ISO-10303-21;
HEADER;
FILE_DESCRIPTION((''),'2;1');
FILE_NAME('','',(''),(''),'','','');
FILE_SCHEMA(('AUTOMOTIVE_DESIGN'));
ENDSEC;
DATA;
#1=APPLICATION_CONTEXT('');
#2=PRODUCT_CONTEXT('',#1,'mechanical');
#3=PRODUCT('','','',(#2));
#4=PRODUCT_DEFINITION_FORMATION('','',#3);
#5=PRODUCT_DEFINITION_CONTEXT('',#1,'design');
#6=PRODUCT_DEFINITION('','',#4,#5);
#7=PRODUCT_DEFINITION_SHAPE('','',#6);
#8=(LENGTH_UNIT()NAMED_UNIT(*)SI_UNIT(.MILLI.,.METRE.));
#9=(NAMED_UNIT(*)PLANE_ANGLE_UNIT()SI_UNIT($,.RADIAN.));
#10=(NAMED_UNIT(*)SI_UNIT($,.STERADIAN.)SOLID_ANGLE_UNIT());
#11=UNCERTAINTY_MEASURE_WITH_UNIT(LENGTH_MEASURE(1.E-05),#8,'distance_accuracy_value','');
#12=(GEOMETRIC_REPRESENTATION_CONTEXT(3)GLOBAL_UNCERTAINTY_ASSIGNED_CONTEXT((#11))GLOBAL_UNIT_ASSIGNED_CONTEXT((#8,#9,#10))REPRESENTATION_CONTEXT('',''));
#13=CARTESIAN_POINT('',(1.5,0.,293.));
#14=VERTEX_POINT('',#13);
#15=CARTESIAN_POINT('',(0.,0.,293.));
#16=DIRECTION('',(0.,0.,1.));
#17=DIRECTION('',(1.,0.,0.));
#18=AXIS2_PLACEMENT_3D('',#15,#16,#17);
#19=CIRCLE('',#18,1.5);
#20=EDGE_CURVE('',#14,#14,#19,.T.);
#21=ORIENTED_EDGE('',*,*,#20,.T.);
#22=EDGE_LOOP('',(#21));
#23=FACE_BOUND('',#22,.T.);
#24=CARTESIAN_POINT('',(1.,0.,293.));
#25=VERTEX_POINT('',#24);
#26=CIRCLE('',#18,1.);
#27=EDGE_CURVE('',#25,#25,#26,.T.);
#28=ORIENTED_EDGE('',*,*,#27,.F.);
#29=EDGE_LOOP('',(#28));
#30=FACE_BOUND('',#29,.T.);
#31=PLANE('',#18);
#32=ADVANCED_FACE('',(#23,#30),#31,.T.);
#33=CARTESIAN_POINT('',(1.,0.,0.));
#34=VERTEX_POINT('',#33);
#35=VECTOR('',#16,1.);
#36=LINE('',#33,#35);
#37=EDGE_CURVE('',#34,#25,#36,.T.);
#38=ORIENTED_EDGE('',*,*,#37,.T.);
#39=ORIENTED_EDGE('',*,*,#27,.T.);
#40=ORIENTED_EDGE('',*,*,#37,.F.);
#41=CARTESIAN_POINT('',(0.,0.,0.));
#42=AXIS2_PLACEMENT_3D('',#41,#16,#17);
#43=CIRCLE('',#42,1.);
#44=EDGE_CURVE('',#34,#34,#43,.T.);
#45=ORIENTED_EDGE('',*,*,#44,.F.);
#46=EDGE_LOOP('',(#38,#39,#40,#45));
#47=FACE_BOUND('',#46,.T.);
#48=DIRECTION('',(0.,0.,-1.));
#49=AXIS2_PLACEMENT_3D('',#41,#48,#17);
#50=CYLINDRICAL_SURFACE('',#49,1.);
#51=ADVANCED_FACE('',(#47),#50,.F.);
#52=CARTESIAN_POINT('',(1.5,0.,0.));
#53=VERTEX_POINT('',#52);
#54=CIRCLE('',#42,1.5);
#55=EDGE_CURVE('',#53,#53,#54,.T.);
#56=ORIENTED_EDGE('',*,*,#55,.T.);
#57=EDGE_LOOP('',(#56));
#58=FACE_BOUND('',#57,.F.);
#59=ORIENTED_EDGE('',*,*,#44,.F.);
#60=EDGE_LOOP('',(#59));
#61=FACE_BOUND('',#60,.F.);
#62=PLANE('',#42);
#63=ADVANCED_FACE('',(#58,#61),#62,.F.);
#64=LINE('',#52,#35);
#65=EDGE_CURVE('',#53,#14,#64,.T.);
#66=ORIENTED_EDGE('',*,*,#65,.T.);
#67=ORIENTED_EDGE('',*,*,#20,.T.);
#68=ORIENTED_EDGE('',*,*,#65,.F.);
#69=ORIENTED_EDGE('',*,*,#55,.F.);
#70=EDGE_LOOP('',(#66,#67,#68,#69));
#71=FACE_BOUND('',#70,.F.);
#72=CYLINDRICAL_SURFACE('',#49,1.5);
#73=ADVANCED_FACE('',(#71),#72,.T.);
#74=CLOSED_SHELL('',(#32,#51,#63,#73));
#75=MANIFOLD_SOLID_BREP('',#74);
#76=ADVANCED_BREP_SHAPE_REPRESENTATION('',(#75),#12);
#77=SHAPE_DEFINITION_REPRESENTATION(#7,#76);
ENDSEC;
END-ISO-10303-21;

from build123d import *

# Parameters (mm, degrees)
SKETCH_R   = 1.5
SKETCH_R_2 = 1
PAD_DEPTH  = 293


with BuildPart() as part:
    # Sketch → Pad (new body)
    with BuildSketch(Plane.XY):
        Circle(SKETCH_R)
        Circle(SKETCH_R_2, mode=Mode.SUBTRACT)
    extrude(amount=PAD_DEPTH)


solid = part.part
